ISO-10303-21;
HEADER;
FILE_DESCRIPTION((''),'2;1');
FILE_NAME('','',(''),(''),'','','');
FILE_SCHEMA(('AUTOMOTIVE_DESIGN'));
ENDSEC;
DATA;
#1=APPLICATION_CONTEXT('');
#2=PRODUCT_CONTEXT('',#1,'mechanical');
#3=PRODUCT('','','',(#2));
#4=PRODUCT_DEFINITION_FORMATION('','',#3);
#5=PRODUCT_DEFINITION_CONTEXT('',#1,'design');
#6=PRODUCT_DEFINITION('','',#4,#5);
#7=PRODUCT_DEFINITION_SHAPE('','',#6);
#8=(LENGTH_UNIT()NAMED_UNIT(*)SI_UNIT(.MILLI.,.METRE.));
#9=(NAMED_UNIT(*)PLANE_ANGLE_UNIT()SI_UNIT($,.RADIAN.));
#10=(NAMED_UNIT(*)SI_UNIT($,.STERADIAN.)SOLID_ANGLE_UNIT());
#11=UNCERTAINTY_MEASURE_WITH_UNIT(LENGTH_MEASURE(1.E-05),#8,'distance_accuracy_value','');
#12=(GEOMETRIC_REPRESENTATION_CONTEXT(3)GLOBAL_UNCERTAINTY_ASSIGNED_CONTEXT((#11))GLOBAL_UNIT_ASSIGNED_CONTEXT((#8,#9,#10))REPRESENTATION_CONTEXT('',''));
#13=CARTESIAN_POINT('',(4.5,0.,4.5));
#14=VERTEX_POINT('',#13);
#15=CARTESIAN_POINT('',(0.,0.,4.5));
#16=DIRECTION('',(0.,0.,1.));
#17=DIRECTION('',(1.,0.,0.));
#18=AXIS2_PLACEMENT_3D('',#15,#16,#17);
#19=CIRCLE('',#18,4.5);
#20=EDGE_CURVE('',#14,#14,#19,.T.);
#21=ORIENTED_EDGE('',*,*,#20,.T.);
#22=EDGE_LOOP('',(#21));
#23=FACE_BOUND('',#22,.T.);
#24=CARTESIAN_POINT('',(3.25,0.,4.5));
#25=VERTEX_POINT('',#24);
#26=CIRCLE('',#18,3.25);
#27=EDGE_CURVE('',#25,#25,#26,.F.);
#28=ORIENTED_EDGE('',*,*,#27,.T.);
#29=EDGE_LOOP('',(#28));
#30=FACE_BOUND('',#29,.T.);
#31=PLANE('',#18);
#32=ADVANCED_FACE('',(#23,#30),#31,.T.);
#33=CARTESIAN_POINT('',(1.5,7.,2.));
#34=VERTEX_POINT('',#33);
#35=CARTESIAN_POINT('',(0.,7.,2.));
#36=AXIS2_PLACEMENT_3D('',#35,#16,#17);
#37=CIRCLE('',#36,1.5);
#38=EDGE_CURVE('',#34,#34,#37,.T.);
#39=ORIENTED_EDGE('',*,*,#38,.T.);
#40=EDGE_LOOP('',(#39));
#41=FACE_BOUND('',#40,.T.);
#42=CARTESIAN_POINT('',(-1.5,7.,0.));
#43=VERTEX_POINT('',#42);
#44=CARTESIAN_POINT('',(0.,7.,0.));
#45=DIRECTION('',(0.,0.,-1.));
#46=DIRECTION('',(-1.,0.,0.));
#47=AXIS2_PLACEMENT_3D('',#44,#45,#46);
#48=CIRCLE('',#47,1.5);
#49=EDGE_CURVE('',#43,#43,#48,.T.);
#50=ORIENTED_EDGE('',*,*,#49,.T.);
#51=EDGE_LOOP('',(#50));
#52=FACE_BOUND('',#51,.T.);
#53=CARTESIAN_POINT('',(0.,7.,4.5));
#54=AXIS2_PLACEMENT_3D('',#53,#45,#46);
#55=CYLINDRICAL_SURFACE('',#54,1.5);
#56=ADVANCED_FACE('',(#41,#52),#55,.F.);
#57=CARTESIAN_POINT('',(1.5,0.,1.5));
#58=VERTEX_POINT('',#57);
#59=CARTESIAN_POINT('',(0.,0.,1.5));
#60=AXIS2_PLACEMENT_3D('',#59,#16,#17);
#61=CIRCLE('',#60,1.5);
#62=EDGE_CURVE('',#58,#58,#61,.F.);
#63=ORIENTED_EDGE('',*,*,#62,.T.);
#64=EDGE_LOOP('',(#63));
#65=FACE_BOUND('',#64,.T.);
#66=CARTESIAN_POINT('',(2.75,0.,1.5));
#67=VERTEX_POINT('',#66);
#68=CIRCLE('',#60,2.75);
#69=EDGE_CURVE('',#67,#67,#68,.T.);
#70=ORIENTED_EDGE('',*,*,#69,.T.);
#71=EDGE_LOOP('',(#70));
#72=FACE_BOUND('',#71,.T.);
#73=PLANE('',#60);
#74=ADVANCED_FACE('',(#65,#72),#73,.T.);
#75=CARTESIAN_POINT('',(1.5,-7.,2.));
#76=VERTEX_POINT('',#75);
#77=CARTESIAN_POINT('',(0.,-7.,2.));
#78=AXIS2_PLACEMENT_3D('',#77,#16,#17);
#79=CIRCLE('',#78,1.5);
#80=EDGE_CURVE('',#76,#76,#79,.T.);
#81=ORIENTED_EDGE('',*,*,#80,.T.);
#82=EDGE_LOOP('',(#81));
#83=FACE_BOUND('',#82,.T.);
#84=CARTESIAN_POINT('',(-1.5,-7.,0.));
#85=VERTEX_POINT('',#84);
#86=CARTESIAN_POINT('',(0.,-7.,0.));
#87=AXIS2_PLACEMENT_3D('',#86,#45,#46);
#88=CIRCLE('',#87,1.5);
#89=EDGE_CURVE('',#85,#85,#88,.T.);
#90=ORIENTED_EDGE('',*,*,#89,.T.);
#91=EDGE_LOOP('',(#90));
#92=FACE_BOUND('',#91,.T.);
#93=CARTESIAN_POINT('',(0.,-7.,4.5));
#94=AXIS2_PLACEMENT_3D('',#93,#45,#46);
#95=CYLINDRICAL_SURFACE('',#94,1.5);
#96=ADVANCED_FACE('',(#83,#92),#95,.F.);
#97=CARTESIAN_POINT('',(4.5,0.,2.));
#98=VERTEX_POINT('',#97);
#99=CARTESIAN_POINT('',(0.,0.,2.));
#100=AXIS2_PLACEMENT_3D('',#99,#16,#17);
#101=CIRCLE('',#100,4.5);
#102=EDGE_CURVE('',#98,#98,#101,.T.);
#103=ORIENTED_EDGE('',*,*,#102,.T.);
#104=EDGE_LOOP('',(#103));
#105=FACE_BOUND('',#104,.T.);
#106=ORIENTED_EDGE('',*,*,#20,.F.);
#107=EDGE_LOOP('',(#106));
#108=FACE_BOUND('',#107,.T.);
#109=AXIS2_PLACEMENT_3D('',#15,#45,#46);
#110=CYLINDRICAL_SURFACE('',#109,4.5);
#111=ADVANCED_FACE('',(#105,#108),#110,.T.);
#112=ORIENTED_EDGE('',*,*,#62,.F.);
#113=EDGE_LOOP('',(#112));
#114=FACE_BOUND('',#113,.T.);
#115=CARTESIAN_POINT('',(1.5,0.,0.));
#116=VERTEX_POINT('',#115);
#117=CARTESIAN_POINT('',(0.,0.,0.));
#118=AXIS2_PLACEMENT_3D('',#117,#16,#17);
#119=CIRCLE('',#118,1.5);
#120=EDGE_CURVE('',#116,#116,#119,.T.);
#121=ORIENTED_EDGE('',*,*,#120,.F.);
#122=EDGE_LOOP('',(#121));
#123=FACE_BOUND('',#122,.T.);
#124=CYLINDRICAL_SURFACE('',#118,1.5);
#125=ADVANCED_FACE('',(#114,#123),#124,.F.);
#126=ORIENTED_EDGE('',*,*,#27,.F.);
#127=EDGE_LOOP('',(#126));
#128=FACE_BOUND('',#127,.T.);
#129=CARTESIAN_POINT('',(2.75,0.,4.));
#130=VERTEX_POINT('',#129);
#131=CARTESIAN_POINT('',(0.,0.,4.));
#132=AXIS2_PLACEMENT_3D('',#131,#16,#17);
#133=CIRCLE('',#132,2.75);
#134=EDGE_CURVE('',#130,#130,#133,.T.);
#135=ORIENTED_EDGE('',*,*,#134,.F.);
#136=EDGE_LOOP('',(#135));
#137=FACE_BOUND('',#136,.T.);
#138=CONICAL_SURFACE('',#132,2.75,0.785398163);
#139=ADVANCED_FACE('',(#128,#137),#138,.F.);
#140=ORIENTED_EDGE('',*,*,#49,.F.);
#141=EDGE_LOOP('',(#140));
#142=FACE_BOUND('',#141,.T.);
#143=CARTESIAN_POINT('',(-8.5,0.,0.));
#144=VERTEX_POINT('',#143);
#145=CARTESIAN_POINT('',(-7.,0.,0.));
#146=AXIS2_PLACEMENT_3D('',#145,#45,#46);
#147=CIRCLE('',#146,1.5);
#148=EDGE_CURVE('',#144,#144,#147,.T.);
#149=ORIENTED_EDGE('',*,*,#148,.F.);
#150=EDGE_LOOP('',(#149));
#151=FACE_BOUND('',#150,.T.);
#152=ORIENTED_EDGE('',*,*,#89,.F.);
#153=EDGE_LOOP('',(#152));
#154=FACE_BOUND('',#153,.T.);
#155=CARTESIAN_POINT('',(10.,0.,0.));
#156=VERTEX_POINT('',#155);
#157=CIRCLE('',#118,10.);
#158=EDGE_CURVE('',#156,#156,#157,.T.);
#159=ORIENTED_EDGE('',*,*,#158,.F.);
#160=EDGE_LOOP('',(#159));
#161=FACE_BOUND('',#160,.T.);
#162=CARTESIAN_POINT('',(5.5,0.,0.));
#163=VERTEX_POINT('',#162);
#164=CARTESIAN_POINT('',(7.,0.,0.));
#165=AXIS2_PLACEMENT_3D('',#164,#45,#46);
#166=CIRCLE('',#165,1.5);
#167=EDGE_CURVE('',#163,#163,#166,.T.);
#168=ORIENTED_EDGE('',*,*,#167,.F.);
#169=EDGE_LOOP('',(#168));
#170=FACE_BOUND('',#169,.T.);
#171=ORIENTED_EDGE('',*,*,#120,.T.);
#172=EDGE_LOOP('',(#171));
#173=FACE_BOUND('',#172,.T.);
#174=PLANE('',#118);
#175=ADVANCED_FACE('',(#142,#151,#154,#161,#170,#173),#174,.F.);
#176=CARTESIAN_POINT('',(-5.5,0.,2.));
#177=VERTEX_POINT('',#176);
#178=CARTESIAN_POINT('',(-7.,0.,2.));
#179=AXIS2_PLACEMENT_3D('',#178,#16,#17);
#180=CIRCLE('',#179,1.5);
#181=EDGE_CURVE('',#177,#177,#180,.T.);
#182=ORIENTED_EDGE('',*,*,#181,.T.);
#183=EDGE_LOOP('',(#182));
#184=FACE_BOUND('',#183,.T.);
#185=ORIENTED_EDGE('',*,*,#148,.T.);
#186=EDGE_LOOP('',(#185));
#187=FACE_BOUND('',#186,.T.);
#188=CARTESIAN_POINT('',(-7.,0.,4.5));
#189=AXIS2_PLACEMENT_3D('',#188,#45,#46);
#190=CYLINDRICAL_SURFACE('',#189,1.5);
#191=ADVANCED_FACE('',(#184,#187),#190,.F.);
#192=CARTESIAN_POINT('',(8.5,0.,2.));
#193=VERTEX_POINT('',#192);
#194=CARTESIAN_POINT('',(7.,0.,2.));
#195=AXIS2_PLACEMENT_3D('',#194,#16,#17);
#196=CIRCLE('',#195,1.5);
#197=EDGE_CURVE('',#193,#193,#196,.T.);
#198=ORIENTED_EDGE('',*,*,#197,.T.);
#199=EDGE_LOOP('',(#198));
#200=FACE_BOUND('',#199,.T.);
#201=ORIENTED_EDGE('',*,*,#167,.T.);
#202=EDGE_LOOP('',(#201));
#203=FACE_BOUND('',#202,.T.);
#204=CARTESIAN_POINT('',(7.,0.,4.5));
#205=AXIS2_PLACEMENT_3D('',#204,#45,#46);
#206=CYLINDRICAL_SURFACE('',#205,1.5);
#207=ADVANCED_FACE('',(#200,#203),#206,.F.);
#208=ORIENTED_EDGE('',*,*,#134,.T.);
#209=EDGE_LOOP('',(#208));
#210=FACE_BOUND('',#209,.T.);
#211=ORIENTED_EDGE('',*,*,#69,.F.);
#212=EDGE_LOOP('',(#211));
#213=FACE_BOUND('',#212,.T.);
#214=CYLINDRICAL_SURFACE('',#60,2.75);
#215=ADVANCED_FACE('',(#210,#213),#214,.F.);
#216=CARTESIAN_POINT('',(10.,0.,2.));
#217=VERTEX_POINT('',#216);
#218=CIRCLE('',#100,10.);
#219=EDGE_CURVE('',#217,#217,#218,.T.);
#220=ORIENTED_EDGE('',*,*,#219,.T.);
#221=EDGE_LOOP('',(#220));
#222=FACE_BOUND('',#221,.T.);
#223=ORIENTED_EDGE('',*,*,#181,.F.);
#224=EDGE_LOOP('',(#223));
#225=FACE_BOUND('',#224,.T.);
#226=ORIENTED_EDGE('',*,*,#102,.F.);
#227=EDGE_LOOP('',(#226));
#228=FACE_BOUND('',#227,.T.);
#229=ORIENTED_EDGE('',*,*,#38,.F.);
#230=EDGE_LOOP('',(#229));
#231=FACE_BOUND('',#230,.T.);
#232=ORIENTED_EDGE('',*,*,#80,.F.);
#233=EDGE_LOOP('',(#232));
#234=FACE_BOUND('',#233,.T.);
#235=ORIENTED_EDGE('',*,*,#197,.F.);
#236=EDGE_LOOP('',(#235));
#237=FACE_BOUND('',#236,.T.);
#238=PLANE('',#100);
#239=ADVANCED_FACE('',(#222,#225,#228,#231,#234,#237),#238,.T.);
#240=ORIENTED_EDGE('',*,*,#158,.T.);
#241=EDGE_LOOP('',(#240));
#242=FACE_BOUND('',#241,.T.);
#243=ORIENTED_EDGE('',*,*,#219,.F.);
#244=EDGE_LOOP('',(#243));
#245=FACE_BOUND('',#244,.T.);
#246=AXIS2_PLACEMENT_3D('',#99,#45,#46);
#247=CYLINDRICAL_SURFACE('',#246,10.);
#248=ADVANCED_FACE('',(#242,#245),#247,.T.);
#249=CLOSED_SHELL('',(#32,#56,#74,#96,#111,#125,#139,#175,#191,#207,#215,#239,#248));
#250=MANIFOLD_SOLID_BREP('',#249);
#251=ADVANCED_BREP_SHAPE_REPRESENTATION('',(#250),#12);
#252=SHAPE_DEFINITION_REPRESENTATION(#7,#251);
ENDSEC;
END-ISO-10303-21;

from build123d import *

# Parameters (mm, degrees)
SKETCH_1_R          = 10
EXTRUDE_1_DEPTH     = 2
SKETCH_3_R          = 4.5
EXTRUDE_2_DEPTH     = 2.5
SKETCH_4_R          = 1.5
CUT_EXTRUDE_1_DEPTH = 15.84082208
SKETCH_5_R          = 2.75
CUT_EXTRUDE_2_DEPTH = 3
CHAMFER_1_SIZE      = 0.5
SKETCH_6_R          = 1.5
CUT_EXTRUDE_3_DEPTH = 15.84082208


with BuildPart() as part:
    # 草图1 → 凸台-拉伸1 (new body)
    with BuildSketch(Plane.XY):
        Circle(SKETCH_1_R)
    extrude(amount=EXTRUDE_1_DEPTH)

    # 草图3 → 凸台-拉伸2 (add)
    with BuildSketch(Plane.XY.offset(2)):
        Circle(SKETCH_3_R)
    extrude(amount=EXTRUDE_2_DEPTH)

    # 草图4 → 切除-拉伸1 (cut, through all)
    with BuildSketch(Plane.XY.offset(4.5)):
        Circle(SKETCH_4_R)
    extrude(amount=-CUT_EXTRUDE_1_DEPTH, mode=Mode.SUBTRACT)

    # 草图5 → 切除-拉伸2 (cut)
    with BuildSketch(Plane.XY.offset(4.5)):
        Circle(SKETCH_5_R)
    extrude(amount=-CUT_EXTRUDE_2_DEPTH, mode=Mode.SUBTRACT)

    # 倒角1
    chamfer_1_edges = [part.edges().sort_by_distance(p)[0] for p in [
        (-2.75, 0, 4.5),
    ]]
    chamfer(chamfer_1_edges, length=CHAMFER_1_SIZE)

    # 草图6 → 切除-拉伸3 (cut, through all)
    with BuildSketch(Plane(origin=(0, 0, 0), x_dir=(-1, 0, 0), z_dir=(0, 0, -1))):
        with Locations((-7, 0)):
            Circle(SKETCH_6_R)
        with Locations((0, 7)):
            Circle(SKETCH_6_R)
        with Locations((7, 0)):
            Circle(SKETCH_6_R)
        with Locations((0, -7)):
            Circle(SKETCH_6_R)
    extrude(amount=-CUT_EXTRUDE_3_DEPTH, mode=Mode.SUBTRACT)


solid = part.part
